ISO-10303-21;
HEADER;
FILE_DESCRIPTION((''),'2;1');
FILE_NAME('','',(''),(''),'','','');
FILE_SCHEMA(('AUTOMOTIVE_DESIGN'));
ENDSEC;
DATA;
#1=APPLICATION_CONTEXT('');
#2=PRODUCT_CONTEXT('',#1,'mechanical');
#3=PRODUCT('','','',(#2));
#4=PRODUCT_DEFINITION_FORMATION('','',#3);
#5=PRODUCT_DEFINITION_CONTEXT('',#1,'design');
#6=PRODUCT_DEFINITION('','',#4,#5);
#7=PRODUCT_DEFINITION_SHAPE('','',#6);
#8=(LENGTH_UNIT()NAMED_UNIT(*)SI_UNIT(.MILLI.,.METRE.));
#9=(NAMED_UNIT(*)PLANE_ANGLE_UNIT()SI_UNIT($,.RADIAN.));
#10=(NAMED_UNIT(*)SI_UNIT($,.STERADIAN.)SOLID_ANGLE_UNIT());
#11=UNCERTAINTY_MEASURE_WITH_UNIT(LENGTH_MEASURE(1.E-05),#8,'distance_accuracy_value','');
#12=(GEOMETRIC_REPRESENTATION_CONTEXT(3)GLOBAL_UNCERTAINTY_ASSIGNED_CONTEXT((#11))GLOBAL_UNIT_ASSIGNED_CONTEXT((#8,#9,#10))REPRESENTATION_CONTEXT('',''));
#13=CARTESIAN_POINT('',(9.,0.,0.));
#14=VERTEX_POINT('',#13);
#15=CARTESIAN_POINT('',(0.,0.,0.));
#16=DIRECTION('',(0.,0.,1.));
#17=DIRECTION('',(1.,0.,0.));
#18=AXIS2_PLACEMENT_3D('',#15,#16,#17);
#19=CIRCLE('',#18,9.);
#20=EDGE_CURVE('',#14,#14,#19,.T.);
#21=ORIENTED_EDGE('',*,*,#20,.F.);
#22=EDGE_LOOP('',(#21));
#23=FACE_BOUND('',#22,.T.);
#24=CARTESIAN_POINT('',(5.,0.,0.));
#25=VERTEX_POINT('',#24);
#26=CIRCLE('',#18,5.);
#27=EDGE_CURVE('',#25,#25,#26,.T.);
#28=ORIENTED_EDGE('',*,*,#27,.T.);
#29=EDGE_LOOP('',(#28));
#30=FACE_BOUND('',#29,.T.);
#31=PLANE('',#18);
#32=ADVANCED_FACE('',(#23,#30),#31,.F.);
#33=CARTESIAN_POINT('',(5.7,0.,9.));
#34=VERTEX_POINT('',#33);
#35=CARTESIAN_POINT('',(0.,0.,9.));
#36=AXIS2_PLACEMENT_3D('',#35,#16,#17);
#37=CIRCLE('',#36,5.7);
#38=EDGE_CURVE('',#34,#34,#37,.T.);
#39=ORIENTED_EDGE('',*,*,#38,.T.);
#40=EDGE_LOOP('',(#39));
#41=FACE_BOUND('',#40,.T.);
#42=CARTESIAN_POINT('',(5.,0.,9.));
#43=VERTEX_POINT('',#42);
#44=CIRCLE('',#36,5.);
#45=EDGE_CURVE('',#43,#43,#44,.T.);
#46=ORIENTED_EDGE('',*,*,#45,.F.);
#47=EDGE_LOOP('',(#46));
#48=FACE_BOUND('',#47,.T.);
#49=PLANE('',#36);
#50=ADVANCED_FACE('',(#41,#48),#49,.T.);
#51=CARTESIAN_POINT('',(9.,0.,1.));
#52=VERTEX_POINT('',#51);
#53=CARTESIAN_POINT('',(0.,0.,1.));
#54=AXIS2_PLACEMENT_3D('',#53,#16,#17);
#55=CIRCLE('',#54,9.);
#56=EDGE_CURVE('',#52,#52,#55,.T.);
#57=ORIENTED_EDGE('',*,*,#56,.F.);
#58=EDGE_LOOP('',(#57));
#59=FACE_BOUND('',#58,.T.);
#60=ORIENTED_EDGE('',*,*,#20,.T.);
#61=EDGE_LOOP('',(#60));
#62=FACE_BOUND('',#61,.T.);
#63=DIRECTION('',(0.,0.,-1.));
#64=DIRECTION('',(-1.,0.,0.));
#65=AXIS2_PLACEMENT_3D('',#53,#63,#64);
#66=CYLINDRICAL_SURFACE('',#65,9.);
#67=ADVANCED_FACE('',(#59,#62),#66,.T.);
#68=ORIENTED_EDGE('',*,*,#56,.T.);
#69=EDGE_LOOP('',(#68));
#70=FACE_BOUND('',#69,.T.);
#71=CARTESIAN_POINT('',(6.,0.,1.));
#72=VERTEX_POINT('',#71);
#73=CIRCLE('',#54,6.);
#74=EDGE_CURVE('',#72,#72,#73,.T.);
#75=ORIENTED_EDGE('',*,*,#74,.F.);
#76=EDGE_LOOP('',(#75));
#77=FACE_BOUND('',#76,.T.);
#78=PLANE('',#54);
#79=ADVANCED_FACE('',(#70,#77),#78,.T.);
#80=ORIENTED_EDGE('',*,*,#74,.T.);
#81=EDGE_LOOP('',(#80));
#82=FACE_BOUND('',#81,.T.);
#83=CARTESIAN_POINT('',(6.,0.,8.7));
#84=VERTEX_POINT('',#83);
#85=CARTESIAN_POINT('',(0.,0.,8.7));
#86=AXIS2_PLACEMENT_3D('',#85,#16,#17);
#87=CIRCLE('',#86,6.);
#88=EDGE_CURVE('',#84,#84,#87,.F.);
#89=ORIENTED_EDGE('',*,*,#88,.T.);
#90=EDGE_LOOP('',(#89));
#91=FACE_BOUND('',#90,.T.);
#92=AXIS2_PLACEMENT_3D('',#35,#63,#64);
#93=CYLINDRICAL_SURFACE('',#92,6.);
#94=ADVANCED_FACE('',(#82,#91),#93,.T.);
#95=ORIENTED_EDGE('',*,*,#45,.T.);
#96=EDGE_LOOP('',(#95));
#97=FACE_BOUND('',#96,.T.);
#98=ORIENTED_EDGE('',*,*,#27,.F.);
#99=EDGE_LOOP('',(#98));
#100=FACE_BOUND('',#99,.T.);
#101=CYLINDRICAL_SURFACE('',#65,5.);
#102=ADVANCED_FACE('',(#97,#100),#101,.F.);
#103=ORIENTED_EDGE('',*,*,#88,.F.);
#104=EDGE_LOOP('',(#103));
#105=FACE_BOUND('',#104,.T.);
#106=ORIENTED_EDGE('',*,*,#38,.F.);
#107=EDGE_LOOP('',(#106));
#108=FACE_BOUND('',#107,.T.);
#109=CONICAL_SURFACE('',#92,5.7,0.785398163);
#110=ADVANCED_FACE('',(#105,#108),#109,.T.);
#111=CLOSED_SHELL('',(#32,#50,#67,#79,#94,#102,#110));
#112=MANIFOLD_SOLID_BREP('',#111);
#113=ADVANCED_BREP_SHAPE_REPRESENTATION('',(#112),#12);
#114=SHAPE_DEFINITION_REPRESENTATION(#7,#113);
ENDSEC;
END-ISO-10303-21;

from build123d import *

# Parameters (mm, degrees)
SKETCH1_R           = 9
SKETCH1_R_2         = 5
BOSS_EXTRUDE1_DEPTH = 1
SKETCH2_R           = 6
SKETCH2_R_2         = 5
BOSS_EXTRUDE2_DEPTH = 8
CHAMFER1_SIZE       = 0.3


with BuildPart() as part:
    # Sketch1 → Boss-Extrude1 (new body)
    with BuildSketch(Plane.XY):
        Circle(SKETCH1_R)
        Circle(SKETCH1_R_2, mode=Mode.SUBTRACT)
    extrude(amount=BOSS_EXTRUDE1_DEPTH)

    # Sketch2 → Boss-Extrude2 (add)
    with BuildSketch(Plane.XY.offset(1)):
        Circle(SKETCH2_R)
        Circle(SKETCH2_R_2, mode=Mode.SUBTRACT)
    extrude(amount=BOSS_EXTRUDE2_DEPTH)

    # Chamfer1
    chamfer1_edges = [part.edges().sort_by_distance(p)[0] for p in [
        (-6, 0, 9),
    ]]
    chamfer(chamfer1_edges, length=CHAMFER1_SIZE)


solid = part.part
